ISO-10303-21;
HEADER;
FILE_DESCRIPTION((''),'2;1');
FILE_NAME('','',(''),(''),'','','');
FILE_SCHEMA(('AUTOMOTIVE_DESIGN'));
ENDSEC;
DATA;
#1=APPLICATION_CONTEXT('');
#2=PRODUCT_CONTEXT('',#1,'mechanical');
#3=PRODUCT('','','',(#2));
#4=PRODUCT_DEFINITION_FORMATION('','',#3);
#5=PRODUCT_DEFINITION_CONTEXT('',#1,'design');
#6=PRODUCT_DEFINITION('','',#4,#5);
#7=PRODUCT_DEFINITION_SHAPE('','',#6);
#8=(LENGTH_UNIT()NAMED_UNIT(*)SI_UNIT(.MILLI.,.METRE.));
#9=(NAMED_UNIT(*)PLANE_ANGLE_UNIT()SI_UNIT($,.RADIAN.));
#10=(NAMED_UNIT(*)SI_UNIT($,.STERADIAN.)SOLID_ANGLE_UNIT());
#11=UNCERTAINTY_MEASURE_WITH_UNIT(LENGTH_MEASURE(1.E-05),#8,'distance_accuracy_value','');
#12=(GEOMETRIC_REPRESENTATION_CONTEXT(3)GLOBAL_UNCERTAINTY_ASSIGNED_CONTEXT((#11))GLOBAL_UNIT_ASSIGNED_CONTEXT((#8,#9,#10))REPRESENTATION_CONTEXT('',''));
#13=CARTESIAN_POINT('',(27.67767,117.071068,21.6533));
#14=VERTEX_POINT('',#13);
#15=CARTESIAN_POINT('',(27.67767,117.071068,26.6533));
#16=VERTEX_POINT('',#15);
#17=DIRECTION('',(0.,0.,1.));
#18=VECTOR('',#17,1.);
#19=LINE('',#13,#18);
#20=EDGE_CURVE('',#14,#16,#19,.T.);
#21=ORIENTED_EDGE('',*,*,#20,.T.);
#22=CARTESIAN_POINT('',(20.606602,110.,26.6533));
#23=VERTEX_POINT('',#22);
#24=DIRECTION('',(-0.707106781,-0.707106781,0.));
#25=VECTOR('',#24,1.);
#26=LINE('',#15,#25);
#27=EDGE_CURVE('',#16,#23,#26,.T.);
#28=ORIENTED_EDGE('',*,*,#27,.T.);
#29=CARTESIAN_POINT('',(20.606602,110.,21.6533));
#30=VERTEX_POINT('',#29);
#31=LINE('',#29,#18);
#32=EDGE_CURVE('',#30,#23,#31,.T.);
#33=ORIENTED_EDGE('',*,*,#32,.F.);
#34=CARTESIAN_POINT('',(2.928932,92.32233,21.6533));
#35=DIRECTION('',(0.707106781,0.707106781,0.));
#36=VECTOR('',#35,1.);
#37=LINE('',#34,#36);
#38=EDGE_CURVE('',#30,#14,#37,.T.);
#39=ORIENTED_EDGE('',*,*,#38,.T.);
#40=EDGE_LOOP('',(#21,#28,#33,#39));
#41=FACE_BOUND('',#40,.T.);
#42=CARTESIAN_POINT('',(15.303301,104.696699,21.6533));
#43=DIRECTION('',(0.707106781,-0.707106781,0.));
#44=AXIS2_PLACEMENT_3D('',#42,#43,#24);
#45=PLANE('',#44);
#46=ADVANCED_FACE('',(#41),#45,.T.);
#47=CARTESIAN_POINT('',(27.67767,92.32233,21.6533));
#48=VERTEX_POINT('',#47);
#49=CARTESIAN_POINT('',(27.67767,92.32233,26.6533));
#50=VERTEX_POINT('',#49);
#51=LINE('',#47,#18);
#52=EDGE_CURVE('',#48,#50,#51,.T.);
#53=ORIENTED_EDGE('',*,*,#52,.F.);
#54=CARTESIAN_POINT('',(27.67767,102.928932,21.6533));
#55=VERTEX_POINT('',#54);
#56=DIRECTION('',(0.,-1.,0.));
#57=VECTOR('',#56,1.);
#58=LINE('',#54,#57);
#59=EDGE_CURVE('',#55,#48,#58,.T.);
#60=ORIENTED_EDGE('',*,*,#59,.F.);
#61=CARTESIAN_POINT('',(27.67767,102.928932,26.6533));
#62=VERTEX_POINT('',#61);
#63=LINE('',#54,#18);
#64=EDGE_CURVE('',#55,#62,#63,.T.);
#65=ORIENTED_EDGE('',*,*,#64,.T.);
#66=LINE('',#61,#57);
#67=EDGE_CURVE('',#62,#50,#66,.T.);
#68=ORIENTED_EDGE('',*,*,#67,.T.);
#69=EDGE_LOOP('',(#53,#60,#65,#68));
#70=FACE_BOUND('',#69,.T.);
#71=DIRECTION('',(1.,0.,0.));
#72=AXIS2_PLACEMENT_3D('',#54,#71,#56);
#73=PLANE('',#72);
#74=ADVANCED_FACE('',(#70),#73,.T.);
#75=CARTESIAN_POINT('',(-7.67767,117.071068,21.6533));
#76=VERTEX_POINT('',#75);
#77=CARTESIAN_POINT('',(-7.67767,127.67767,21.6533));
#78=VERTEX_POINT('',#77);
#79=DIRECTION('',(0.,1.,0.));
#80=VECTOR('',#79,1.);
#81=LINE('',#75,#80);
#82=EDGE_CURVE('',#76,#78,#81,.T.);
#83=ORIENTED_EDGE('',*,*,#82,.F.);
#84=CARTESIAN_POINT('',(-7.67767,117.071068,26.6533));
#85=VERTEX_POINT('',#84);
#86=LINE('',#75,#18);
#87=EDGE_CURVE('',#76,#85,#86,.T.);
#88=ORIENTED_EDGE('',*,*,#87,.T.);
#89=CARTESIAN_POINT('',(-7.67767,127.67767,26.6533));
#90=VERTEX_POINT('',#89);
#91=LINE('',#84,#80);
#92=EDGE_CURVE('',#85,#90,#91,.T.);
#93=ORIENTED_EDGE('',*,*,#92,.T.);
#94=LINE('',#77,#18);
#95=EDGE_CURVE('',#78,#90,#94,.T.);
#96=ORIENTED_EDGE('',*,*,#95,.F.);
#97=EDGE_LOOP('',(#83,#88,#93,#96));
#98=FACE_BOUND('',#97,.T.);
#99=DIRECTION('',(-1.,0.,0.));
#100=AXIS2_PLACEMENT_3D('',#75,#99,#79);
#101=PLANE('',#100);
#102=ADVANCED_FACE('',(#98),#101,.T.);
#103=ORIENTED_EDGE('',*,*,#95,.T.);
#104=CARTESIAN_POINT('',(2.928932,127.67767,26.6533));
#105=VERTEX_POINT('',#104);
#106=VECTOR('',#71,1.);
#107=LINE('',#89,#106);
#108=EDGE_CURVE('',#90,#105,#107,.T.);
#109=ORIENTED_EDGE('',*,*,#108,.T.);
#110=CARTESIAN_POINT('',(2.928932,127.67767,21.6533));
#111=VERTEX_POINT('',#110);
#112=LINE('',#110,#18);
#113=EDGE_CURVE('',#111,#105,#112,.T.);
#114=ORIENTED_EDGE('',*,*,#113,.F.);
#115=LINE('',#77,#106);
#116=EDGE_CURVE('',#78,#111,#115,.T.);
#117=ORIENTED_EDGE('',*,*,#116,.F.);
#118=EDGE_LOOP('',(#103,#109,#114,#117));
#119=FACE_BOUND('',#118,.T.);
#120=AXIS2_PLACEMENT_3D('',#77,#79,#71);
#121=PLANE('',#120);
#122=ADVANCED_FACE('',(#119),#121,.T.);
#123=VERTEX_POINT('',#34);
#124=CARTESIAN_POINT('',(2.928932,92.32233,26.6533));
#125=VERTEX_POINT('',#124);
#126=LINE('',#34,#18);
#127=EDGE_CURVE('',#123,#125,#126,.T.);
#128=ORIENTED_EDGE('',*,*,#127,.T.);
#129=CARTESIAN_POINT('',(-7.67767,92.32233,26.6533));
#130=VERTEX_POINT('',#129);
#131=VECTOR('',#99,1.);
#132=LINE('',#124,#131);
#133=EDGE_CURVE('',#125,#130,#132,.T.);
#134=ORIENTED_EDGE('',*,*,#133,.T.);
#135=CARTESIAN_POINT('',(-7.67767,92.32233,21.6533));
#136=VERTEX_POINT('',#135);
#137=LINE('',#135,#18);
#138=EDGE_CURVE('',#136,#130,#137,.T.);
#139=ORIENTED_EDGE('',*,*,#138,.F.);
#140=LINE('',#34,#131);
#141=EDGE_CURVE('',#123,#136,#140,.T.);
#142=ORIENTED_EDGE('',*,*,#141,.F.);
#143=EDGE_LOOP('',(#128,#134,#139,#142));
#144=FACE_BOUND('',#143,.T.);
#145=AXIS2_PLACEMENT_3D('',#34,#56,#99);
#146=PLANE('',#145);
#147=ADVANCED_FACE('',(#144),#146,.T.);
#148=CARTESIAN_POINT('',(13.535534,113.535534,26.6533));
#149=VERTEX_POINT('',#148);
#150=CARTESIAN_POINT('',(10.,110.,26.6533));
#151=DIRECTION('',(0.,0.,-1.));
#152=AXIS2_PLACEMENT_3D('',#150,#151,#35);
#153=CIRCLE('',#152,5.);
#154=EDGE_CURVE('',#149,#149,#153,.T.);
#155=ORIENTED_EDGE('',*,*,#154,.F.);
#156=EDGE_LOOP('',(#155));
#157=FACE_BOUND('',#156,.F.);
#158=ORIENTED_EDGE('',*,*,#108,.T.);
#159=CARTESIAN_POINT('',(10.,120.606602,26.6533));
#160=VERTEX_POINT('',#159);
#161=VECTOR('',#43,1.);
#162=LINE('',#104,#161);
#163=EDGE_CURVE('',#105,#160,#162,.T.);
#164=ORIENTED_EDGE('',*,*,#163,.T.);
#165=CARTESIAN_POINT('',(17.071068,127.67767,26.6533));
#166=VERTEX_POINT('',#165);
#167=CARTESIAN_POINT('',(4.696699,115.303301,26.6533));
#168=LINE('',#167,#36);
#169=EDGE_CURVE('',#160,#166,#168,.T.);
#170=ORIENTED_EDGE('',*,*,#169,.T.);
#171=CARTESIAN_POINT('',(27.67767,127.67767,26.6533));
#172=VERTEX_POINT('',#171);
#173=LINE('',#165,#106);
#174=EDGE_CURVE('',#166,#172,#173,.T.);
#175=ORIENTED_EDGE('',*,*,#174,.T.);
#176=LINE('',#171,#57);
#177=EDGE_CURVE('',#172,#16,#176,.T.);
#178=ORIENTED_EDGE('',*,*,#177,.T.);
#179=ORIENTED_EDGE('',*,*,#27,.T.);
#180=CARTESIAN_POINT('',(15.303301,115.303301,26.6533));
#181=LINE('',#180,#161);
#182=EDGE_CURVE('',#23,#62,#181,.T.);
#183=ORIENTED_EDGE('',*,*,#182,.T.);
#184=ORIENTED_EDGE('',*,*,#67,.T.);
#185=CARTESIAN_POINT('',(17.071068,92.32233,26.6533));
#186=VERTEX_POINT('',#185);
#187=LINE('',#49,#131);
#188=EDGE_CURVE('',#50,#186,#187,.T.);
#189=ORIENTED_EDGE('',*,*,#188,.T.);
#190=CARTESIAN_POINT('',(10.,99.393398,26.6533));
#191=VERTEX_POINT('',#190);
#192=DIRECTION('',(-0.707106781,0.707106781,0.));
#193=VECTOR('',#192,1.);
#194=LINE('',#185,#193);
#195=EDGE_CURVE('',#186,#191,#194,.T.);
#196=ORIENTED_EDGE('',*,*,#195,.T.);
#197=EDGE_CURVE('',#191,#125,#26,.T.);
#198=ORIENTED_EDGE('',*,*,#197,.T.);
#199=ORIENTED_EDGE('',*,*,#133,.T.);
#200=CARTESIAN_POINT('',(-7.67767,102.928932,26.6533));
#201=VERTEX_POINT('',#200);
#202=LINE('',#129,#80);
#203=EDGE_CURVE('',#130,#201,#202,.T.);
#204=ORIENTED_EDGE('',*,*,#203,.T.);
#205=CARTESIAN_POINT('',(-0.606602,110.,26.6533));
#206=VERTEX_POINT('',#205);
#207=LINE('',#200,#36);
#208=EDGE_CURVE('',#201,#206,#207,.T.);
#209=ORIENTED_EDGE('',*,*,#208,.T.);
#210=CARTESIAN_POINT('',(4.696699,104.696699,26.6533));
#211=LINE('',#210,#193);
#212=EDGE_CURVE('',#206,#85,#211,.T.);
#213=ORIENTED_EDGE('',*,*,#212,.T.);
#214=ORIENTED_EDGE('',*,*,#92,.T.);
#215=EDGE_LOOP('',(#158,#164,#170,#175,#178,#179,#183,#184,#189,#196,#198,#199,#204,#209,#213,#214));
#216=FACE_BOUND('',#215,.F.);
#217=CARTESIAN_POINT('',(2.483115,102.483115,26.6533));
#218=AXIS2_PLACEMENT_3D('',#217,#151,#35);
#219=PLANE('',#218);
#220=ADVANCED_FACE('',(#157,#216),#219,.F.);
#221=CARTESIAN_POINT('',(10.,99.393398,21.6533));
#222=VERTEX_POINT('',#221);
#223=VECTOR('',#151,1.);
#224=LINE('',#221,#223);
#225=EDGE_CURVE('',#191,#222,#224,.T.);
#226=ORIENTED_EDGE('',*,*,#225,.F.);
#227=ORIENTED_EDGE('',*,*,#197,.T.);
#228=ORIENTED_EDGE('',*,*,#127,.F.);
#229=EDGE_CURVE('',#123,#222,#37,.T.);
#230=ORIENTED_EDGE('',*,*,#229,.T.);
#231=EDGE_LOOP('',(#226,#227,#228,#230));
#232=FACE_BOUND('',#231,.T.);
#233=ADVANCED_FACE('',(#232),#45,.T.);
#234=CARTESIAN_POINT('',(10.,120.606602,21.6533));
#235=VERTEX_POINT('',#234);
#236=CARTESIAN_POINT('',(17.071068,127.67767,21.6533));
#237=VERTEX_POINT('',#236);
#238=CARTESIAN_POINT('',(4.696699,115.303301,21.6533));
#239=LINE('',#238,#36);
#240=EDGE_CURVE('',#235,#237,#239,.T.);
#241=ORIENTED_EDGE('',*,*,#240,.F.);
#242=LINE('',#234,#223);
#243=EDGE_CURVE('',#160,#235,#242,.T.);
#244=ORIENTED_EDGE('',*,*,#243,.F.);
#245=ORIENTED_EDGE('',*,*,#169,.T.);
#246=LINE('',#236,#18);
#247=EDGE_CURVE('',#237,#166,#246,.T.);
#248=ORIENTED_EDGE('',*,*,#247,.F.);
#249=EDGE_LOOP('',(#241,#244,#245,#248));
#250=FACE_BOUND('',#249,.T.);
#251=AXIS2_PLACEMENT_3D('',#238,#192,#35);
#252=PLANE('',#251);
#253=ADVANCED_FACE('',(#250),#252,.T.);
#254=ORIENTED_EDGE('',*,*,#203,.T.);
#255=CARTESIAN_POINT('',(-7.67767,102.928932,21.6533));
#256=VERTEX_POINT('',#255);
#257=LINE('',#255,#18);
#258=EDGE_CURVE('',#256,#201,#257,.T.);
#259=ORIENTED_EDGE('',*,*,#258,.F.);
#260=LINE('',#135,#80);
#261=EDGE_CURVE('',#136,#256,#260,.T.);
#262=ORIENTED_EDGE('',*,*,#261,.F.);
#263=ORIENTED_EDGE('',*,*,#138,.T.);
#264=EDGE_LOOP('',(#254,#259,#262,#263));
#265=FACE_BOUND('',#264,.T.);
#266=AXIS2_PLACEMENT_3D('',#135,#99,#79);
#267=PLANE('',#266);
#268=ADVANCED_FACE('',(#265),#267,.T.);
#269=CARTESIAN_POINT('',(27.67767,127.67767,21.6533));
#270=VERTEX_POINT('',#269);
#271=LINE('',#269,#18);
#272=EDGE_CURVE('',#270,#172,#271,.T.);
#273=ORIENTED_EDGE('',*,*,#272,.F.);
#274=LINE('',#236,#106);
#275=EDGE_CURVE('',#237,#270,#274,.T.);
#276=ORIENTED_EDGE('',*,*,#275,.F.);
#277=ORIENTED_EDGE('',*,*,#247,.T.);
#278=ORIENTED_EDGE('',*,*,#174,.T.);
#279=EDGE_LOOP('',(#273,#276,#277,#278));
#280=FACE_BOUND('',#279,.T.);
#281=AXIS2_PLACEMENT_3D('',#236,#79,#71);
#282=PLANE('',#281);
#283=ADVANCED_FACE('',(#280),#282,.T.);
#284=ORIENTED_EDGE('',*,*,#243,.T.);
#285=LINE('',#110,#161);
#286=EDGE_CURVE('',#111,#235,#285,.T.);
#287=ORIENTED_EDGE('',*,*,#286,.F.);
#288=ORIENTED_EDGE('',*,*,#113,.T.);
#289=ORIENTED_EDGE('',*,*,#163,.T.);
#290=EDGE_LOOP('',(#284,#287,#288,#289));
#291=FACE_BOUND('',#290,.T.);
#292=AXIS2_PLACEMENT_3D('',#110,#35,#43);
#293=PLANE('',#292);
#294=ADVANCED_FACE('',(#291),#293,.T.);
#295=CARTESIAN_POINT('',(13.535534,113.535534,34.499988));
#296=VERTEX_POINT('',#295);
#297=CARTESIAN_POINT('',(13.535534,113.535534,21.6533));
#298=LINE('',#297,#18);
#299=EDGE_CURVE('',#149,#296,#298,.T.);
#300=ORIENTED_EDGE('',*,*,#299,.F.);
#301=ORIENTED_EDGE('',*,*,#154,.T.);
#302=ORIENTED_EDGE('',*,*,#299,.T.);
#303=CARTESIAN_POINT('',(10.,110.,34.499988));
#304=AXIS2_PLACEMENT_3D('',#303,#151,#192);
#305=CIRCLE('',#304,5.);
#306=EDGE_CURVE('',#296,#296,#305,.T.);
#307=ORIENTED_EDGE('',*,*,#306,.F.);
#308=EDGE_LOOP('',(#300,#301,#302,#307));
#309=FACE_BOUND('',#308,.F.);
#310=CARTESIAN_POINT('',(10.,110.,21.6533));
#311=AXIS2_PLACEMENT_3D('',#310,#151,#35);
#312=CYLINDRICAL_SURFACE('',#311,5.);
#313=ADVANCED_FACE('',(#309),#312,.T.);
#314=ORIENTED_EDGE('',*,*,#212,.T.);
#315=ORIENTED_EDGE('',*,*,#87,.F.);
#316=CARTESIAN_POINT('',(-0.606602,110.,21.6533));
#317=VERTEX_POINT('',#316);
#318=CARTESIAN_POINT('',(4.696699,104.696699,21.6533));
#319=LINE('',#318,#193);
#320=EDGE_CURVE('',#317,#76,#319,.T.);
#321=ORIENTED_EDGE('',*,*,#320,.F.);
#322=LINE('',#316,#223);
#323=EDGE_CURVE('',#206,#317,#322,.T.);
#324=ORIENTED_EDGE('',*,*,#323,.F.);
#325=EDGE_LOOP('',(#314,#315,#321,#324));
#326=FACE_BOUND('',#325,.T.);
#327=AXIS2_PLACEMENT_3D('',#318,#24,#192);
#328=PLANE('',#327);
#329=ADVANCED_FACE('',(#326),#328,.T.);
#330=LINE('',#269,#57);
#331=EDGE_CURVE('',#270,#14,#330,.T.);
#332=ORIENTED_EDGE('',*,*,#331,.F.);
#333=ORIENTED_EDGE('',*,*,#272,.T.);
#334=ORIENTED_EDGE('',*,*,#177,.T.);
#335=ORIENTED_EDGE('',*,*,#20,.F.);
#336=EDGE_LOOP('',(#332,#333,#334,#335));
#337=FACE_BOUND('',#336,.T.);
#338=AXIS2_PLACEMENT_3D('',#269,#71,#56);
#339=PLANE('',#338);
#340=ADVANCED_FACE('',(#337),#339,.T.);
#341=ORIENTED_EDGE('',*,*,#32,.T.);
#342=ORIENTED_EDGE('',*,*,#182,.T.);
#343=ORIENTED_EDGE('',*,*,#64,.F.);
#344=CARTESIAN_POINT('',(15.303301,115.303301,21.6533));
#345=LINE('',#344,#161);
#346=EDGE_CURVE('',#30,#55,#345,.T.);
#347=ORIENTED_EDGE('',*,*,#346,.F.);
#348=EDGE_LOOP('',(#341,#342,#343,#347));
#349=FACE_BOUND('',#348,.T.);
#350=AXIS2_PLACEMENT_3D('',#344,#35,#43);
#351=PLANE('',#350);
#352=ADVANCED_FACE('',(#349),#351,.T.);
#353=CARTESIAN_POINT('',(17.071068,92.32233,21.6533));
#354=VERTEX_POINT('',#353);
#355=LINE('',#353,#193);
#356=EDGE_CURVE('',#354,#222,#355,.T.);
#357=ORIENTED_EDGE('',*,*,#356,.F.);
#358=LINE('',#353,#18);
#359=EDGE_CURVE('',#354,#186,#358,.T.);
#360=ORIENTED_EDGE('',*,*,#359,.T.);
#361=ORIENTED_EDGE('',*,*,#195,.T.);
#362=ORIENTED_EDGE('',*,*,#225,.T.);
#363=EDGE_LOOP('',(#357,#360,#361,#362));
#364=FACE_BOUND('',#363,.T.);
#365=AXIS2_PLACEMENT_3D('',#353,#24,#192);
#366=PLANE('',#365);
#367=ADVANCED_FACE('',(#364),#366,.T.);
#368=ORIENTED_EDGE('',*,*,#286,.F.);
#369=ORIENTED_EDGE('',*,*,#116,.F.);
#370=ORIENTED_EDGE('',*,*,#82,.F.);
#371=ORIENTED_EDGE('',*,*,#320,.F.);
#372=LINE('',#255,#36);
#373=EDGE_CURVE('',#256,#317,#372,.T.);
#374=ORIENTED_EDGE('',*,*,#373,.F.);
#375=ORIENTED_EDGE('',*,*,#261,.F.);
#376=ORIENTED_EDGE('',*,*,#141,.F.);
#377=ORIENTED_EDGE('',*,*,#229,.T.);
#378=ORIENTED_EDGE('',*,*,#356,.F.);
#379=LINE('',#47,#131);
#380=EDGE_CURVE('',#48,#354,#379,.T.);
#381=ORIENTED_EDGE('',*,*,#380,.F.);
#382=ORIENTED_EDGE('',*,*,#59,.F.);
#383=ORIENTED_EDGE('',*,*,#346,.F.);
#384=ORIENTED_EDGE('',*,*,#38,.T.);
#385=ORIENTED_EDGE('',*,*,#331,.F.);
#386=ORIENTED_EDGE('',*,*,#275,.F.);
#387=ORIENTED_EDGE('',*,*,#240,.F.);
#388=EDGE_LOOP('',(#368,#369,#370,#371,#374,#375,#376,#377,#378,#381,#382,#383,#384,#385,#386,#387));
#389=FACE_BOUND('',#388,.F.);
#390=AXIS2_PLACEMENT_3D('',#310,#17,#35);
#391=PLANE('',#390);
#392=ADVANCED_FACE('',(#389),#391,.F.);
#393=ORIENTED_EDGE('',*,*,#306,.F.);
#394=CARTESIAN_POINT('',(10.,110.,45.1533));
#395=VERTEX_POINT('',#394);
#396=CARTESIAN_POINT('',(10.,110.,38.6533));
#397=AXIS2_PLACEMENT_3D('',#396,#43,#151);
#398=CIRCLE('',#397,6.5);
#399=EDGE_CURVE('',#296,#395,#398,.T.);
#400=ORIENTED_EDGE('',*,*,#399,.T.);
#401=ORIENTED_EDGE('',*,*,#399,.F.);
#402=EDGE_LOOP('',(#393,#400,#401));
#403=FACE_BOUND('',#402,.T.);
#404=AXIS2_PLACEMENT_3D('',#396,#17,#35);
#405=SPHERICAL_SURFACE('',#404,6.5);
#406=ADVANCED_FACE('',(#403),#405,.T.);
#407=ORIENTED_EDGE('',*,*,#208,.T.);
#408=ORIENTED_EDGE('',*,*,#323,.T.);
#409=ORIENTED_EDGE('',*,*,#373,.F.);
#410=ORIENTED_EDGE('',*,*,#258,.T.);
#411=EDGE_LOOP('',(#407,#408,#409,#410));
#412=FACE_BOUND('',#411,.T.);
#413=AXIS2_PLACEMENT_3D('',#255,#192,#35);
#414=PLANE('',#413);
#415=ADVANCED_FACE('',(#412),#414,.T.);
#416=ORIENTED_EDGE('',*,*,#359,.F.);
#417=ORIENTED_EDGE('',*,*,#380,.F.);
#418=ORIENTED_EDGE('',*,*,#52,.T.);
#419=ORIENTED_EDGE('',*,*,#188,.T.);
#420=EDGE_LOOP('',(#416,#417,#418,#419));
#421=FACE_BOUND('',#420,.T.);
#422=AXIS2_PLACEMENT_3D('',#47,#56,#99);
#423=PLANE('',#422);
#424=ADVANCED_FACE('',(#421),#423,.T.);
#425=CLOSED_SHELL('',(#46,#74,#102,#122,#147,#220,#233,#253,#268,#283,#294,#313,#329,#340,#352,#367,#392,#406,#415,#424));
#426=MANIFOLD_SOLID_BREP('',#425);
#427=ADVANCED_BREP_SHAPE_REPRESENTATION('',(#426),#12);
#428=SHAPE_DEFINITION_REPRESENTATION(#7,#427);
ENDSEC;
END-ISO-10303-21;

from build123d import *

# Parameters (mm, degrees)
CYLINDER011_R            = 5
CYLINDER011_DEPTH        = 15
PAD_DEPTH                = 5
ARRAY006_COUNT           = 4
CLONE017_PLACEMENT_ANGLE = 45


with BuildPart() as cylinder011:
    # Cylinder011 → Cylinder011 (new body)
    with BuildSketch(Plane.XY):
        Circle(CYLINDER011_R)
    extrude(amount=CYLINDER011_DEPTH)


with BuildPart() as sphere:
    # Sphere → Sphere (revolve)
    with BuildSketch(Plane(origin=(0, 0, 17), x_dir=(1, 0, 0), z_dir=(0, -1, 0))):
        with BuildLine():
            ThreePointArc((0, -6.5), (6.5, 0), (0, 6.5))
            Line((0, 6.5), (0, -6.5))
        make_face()
    revolve(axis=Axis((0, 0, 17), (0, 0, 1)))


with BuildPart() as clone_of_piezacruz:
    # Sketch → Pad (new body)
    with BuildSketch(Plane.XY):
        Polygon((0, 7.5), (17.5, 7.5), (25, 0), (17.5, -7.5), (0, -7.5), align=None)
    extrude(amount=PAD_DEPTH)

    # Array006: Clone of piezaCruz ×4 about axis
    array006_axis = Axis((0, 0, 0), (0, 0, 1))


with BuildPart() as clone_of_piezacruz_1:
    add(clone_of_piezacruz.part)
    for i in range(1, ARRAY006_COUNT):
        add(clone_of_piezacruz.part.rotate(array006_axis, i * 360 / ARRAY006_COUNT))

    # Fusion017: union Cylinder011, Sphere
    add(cylinder011.part)
    add(sphere.part)


with BuildPart() as clone_of_piezacruz_2:
    # Clone017 placement: moved
    add(clone_of_piezacruz_1.part.moved(Location((10, 110, 21.6533))).rotate(Axis((10, 110, 21.6533), (0, 0, 1)), CLONE017_PLACEMENT_ANGLE))


solid = clone_of_piezacruz_2.part
